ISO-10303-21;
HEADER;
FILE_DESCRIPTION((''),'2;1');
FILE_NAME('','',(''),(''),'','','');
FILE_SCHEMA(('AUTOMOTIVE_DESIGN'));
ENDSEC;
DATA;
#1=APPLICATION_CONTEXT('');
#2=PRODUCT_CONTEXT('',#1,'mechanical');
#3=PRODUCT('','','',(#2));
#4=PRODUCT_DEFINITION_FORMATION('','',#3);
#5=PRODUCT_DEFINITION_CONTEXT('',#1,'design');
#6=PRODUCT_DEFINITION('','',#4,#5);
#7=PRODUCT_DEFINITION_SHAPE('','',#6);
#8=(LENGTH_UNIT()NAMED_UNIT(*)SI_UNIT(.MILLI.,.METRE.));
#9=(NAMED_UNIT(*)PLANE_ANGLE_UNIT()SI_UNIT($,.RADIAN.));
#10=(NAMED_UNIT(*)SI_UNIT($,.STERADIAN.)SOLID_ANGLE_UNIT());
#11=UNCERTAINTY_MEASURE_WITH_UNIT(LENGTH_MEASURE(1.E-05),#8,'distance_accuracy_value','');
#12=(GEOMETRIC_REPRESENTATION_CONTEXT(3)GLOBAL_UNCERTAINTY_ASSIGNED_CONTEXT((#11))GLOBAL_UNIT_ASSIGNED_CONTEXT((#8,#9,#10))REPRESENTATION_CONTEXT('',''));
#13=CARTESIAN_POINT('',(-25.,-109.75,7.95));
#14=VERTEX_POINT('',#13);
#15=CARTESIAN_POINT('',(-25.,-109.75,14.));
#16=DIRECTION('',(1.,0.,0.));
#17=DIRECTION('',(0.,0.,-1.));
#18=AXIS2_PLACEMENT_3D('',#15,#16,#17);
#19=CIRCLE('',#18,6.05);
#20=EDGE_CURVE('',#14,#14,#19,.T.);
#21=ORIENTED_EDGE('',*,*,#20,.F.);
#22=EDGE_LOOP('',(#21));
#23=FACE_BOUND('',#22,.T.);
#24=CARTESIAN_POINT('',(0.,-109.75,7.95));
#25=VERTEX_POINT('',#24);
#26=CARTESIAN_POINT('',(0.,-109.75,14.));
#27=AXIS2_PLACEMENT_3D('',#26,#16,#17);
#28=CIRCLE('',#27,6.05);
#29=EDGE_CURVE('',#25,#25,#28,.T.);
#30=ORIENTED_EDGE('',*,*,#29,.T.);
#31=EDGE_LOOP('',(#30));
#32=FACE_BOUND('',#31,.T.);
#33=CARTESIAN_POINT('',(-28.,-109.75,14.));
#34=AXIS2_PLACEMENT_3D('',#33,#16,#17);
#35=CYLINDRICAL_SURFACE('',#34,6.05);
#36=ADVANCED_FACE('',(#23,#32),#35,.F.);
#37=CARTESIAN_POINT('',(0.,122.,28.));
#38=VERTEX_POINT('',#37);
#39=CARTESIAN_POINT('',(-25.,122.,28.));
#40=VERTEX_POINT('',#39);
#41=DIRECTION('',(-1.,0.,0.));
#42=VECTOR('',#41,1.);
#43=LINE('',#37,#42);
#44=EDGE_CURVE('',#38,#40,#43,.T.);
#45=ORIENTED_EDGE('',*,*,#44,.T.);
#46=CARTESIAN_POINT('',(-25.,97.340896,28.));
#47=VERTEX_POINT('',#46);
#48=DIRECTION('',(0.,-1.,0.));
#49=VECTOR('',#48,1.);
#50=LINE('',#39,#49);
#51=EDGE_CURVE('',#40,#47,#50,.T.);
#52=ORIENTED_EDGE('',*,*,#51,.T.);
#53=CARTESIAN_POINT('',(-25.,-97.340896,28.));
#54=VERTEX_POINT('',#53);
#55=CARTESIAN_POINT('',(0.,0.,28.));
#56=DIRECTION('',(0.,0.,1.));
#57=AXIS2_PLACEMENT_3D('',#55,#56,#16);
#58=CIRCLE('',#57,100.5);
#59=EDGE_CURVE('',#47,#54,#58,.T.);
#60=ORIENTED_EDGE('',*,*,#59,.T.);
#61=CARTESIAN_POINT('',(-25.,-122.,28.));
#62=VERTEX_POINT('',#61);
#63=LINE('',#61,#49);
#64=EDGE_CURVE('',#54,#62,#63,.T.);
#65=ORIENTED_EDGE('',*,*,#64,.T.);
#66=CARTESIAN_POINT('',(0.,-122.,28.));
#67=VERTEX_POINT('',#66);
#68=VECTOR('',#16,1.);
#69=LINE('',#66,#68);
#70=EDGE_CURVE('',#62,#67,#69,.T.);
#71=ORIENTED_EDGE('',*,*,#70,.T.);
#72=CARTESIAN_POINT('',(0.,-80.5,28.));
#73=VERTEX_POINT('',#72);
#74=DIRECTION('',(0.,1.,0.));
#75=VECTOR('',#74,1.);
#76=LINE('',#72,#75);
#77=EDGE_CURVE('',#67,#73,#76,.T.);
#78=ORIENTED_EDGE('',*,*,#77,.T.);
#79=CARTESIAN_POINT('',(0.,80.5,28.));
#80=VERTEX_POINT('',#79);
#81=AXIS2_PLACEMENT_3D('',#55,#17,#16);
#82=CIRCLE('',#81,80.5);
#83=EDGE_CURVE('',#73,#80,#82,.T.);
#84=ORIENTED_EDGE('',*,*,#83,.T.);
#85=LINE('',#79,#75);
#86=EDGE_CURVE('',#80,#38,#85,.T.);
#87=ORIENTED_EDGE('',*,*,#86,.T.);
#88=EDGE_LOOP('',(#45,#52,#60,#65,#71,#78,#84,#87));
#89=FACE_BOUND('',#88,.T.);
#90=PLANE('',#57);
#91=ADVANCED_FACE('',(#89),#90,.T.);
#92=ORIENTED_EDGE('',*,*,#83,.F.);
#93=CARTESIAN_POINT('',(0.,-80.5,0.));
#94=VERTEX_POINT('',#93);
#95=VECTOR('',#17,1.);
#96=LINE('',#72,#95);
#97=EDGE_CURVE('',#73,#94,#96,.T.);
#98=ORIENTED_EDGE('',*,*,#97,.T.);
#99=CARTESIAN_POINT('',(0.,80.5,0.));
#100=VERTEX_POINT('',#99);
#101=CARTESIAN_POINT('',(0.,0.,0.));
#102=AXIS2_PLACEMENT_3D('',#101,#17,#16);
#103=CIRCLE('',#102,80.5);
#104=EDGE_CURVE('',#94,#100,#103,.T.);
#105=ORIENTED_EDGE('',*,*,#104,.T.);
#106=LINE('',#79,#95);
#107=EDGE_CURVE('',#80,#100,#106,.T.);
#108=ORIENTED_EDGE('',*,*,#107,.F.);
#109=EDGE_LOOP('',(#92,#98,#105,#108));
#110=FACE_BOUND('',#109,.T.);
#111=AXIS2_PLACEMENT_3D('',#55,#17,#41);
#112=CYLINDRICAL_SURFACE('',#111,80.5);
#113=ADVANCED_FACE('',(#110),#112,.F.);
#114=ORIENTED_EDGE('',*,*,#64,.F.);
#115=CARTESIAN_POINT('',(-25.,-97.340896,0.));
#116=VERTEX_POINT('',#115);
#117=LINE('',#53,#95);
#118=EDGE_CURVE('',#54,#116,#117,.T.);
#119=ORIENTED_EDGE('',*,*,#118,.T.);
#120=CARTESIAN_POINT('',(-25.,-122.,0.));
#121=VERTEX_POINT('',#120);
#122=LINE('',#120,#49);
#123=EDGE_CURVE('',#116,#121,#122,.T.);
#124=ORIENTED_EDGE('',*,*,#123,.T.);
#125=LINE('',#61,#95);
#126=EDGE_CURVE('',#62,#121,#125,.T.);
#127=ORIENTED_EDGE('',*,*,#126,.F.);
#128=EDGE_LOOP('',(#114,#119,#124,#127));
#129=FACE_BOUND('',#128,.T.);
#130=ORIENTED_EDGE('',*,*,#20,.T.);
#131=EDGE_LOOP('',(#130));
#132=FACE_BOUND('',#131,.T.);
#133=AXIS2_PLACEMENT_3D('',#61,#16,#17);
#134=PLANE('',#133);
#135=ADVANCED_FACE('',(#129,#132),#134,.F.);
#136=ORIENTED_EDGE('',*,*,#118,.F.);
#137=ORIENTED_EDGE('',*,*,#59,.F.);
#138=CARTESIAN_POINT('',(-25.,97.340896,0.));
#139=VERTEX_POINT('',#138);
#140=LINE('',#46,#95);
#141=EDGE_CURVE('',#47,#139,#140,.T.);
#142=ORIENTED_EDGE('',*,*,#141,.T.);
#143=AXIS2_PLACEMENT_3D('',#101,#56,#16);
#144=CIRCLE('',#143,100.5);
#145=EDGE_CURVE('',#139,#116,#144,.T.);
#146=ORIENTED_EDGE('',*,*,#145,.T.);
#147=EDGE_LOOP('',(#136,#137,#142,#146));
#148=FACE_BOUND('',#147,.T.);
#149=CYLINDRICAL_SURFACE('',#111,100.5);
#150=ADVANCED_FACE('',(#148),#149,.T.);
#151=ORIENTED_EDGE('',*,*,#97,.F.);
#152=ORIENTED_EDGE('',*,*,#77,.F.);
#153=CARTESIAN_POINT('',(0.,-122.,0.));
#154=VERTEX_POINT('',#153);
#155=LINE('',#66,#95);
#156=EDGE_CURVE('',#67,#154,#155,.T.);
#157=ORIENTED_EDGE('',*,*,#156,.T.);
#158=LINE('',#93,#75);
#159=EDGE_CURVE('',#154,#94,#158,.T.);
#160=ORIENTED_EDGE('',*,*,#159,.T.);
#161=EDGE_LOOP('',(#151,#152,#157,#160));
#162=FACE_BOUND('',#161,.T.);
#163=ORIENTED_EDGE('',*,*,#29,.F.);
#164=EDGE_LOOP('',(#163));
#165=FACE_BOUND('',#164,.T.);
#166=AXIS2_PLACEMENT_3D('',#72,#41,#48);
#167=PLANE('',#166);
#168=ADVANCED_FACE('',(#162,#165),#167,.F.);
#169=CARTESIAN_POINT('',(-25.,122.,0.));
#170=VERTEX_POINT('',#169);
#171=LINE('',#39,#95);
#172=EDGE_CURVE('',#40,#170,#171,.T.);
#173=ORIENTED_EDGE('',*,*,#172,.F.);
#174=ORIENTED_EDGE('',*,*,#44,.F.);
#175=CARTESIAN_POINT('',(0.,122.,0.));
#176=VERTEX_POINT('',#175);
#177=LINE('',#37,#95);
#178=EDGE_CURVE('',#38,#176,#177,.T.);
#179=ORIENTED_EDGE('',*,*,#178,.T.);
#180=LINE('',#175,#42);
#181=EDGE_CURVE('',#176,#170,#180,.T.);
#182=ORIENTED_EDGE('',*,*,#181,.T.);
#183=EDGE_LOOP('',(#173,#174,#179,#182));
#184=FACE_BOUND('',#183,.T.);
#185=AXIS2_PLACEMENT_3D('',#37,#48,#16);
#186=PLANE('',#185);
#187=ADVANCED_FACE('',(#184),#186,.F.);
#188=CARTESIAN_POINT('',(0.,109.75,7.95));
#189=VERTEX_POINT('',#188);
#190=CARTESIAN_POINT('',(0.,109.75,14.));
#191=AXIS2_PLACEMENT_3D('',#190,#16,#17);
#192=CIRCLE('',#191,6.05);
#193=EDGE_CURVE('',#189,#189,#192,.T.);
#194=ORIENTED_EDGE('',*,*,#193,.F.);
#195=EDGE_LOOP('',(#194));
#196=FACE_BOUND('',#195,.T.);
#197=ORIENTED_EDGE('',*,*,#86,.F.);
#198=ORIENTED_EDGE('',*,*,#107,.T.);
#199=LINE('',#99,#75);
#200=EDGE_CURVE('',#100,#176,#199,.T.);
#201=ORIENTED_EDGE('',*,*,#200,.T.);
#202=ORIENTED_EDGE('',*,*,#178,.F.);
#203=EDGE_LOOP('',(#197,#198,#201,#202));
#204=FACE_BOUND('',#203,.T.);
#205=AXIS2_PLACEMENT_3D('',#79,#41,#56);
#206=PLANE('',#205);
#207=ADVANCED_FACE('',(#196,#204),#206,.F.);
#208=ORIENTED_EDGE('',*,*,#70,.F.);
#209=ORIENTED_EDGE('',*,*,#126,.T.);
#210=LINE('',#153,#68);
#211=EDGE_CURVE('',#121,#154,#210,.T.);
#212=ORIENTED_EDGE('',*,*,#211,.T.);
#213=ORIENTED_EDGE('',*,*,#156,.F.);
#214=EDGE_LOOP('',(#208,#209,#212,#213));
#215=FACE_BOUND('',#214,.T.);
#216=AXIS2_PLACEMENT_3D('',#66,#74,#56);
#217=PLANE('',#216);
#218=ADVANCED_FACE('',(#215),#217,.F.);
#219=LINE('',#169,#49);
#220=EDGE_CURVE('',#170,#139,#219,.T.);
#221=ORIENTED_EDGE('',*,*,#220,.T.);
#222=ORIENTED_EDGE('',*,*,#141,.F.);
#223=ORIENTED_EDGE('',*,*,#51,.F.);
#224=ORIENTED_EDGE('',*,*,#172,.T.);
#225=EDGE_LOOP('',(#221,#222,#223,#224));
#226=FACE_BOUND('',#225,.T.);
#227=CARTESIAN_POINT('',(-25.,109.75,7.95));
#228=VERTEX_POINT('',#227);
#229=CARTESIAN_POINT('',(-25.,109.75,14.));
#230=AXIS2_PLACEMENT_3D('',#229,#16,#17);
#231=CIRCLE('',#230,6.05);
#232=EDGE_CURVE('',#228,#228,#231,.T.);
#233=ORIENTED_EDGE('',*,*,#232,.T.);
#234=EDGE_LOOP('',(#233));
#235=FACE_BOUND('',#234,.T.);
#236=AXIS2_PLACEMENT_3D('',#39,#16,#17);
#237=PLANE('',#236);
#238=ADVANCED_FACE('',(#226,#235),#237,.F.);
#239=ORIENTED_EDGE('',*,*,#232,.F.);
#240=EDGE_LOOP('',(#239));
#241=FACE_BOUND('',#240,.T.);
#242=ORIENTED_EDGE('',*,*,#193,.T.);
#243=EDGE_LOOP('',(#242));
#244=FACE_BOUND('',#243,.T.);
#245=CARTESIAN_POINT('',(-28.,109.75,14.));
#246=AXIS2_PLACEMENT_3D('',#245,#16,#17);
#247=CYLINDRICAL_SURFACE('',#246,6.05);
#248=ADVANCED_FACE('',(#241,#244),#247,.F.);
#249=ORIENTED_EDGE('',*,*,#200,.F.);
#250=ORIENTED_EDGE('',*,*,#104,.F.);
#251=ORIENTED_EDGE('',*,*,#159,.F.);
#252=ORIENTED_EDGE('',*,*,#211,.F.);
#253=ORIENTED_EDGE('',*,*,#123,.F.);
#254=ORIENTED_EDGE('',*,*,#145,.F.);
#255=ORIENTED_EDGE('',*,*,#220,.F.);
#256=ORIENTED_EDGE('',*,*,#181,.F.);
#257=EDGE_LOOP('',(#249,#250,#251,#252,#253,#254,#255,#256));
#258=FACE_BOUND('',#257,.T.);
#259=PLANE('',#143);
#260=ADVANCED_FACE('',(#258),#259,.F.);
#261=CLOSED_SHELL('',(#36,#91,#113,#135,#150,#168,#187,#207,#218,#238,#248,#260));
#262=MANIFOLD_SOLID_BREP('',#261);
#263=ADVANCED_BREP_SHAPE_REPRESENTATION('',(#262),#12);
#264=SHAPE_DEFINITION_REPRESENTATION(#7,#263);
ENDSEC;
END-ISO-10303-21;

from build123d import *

# Parameters (mm, degrees)
BOSS_EXTRUDE1_DEPTH = 28
SKETCH2_R           = 6.05
CUT_EXTRUDE1_DEPTH  = 28


with BuildPart() as part:
    # Sketch1 → Boss-Extrude1 (new body)
    with BuildSketch(Plane.XY):
        with BuildLine():
            Line((0, -80.5), (0, -122))
            Line((0, -122), (-25, -122))
            Line((-25, -122), (-25, -97.340895825))
            ThreePointArc((-25, -97.340895825), (-100.5, 0), (-25, 97.340895825))
            Line((-25, 97.340895825), (-25, 122))
            Line((-25, 122), (0, 122))
            Line((0, 122), (0, 80.5))
            ThreePointArc((0, 80.5), (-80.5, 0), (0, -80.5))
        make_face()
    extrude(amount=BOSS_EXTRUDE1_DEPTH)

    # Sketch2 → Cut-Extrude1 (cut)
    with BuildSketch(Plane(origin=(0, 0, 0), x_dir=(0, 0, -1), z_dir=(1, 0, 0))):
        with Locations((-14, 109.75)):
            Circle(SKETCH2_R)
        with Locations((-14, -109.75)):
            Circle(SKETCH2_R)
    extrude(amount=-CUT_EXTRUDE1_DEPTH, mode=Mode.SUBTRACT)


solid = part.part
